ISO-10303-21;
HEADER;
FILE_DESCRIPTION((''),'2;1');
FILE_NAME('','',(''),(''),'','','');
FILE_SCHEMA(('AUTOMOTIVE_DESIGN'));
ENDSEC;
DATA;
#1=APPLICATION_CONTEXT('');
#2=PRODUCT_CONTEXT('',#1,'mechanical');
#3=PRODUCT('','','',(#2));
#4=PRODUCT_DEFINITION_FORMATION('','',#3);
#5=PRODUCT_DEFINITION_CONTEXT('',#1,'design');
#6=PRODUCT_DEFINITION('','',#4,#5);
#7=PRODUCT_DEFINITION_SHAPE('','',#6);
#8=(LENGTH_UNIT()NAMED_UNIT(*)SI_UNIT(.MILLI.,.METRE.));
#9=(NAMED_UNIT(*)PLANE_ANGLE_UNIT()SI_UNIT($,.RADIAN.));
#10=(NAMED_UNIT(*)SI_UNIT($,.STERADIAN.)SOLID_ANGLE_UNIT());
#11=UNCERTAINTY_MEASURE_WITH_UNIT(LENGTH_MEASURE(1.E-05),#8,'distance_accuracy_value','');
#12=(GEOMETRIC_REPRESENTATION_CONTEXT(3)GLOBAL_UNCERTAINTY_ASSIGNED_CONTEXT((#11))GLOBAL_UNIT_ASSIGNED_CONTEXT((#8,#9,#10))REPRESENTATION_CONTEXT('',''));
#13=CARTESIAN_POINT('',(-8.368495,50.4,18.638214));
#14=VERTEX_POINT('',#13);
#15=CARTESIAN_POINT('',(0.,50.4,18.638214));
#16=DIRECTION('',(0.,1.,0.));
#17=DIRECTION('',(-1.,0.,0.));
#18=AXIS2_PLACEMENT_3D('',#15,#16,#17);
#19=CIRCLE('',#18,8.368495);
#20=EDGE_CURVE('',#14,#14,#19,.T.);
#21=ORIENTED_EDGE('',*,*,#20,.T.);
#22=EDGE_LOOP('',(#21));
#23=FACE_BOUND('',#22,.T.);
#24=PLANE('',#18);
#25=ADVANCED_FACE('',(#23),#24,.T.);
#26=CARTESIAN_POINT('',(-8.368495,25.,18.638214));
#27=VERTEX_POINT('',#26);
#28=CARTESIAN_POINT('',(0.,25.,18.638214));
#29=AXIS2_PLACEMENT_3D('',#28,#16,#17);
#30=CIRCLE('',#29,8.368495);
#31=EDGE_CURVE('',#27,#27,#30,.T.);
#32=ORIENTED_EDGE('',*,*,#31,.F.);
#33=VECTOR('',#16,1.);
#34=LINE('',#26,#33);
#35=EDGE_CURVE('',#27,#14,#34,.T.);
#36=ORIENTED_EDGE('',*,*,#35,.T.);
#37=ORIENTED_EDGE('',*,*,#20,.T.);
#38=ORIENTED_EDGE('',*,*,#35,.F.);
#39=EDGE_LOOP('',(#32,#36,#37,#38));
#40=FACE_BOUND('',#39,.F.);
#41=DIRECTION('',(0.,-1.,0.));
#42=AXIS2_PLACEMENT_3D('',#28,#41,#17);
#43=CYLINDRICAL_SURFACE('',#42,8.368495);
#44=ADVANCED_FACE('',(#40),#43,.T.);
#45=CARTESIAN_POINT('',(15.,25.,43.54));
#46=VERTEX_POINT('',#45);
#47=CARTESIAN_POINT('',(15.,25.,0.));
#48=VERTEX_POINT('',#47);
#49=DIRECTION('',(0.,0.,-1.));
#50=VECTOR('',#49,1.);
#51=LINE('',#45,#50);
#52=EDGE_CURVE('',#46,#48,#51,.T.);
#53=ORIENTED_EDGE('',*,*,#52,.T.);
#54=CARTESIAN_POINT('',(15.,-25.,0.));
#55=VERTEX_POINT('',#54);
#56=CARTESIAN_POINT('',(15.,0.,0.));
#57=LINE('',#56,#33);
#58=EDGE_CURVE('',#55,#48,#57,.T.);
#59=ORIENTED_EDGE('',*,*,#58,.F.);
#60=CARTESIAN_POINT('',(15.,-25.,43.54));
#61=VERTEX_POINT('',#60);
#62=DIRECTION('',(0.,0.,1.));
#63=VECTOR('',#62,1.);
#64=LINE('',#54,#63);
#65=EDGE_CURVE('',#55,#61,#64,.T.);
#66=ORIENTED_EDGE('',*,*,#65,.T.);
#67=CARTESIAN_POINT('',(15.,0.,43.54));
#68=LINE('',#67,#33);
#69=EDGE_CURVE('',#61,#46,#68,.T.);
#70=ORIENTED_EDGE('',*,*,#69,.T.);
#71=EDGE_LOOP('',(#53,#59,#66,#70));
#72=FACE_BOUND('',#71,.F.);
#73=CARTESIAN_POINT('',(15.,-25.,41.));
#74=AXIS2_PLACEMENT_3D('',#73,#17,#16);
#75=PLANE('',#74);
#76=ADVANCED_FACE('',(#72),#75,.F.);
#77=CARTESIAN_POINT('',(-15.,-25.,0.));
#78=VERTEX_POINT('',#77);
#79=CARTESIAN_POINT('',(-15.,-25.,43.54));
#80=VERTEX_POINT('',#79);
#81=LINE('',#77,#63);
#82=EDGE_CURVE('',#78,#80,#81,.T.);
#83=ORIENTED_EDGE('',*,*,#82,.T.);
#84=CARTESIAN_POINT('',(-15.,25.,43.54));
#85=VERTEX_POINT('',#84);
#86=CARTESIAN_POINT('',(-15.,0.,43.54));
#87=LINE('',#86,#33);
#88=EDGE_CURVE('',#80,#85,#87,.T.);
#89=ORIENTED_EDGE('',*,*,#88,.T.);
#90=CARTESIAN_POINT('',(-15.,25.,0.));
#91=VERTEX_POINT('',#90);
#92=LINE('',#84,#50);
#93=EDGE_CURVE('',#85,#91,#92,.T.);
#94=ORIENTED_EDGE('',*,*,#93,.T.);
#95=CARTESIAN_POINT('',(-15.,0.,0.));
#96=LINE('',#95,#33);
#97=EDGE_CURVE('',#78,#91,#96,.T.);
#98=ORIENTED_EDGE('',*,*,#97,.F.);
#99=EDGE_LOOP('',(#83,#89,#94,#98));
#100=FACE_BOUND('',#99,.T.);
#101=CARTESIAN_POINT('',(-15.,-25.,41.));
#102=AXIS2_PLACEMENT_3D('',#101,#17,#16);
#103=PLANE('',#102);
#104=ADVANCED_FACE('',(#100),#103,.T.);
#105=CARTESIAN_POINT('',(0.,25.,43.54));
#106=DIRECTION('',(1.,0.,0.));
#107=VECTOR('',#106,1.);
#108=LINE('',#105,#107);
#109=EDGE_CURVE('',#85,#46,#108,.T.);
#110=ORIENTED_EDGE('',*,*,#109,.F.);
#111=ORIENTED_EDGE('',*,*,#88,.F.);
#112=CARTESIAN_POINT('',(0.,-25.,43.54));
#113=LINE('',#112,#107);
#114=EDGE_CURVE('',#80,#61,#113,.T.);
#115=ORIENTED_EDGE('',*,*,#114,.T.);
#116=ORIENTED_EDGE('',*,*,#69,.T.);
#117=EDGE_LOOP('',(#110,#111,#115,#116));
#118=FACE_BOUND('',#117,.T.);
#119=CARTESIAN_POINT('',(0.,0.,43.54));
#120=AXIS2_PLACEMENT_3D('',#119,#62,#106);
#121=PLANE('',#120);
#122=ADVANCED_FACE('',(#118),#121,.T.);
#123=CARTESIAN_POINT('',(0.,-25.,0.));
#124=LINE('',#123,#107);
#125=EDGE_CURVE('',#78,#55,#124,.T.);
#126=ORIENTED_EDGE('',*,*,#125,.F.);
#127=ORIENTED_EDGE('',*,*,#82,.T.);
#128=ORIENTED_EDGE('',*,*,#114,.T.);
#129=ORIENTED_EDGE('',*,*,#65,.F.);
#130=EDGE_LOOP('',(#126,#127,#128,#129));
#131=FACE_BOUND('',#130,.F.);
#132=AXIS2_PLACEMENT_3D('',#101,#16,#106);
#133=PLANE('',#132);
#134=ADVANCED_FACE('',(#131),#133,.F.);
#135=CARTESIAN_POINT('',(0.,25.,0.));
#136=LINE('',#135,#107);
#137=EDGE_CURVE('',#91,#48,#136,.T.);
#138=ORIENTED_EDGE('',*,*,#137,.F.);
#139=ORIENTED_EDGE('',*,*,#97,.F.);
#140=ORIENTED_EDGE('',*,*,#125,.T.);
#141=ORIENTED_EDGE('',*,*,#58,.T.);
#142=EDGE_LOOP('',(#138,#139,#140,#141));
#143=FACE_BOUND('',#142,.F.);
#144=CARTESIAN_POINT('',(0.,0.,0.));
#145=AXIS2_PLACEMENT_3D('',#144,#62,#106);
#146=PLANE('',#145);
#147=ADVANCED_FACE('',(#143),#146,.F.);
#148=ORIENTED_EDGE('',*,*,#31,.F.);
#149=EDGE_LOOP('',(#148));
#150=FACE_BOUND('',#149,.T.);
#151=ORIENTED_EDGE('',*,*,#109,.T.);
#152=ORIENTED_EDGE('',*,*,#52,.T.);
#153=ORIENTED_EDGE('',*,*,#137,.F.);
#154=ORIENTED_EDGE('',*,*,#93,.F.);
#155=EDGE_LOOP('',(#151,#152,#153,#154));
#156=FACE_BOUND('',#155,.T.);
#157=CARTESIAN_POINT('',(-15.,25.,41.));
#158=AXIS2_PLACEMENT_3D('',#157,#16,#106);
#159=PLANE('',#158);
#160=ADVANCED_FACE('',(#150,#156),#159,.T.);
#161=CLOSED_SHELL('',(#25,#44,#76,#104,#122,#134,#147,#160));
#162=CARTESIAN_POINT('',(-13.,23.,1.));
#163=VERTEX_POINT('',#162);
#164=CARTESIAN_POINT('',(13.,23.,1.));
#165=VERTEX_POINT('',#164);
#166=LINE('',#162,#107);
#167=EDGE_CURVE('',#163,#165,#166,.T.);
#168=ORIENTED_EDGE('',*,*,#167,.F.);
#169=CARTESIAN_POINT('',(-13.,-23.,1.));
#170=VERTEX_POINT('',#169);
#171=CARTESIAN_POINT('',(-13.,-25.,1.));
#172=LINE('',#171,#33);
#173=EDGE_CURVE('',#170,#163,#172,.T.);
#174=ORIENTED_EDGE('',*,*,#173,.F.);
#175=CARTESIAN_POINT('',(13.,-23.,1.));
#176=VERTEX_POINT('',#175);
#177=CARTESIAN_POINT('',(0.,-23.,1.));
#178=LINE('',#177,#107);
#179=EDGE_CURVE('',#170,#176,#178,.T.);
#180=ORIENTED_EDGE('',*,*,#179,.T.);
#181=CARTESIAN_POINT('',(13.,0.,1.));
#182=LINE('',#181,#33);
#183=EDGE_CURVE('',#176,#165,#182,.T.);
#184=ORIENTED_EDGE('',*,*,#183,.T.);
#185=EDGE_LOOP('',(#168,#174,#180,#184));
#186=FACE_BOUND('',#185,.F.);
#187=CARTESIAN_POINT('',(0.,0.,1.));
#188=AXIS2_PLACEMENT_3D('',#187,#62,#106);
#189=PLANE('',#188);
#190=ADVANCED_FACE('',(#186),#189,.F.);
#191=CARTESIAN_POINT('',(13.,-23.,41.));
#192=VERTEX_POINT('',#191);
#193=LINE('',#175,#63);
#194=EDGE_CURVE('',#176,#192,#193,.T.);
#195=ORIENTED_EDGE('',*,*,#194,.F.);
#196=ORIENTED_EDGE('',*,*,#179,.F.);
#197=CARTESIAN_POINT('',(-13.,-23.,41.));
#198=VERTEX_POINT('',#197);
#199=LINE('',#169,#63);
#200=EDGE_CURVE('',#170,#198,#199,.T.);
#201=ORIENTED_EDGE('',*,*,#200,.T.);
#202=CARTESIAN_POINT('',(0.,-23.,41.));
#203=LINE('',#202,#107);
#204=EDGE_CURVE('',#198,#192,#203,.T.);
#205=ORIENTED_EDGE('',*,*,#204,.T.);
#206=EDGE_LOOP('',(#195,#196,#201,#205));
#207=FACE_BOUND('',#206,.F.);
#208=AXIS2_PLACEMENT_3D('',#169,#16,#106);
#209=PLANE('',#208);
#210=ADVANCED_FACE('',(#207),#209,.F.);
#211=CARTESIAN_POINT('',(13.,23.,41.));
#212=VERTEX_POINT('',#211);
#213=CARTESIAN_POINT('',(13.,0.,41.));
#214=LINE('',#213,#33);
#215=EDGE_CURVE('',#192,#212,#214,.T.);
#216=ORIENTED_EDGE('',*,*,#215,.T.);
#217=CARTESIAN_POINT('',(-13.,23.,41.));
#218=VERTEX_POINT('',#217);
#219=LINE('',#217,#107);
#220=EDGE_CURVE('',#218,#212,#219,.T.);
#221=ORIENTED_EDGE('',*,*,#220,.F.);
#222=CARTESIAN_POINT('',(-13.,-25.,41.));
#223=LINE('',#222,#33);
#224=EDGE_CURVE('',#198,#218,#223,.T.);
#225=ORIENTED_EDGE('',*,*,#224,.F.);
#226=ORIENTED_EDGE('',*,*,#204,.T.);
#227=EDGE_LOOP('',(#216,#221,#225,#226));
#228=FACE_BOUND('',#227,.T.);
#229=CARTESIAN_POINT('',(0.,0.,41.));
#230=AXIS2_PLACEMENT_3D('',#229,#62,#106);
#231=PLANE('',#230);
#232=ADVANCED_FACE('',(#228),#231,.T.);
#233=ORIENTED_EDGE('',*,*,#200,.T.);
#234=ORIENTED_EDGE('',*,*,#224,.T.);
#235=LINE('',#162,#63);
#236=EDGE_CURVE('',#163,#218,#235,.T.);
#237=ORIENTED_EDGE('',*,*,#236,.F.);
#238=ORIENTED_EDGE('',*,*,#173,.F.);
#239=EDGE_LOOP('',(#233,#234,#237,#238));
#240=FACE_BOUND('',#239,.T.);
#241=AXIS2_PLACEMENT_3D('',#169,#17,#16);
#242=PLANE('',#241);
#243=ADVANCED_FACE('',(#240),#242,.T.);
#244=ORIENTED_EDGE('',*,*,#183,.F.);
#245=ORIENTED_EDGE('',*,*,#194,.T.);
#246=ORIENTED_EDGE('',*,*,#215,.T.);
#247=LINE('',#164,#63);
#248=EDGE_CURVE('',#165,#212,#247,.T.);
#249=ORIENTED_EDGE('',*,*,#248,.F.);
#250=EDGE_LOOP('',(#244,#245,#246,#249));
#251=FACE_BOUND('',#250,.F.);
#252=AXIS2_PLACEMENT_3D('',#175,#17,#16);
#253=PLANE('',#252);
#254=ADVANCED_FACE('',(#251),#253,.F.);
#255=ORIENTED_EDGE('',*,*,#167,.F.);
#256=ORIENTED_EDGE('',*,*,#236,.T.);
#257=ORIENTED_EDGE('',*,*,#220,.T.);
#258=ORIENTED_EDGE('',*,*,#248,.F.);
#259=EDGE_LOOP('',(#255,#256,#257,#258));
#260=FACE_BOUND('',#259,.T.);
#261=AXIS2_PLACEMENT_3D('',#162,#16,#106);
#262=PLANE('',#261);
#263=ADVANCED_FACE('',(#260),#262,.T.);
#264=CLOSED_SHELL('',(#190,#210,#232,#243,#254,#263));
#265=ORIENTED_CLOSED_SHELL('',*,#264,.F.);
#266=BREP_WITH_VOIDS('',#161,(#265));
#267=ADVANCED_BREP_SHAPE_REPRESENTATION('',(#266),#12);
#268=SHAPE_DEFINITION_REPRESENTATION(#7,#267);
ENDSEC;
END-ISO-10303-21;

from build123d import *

# Parameters (mm, degrees)
F0_W     = 30
F0_H     = 50
F1_DEPTH = 1
F2_W     = 2
F2_H     = 2
F2_W_2   = 26
F2_H_2   = 46
F3_DEPTH = 40
F5_W     = 30
F5_H     = 50
F6_DEPTH = 2.54
F4_R     = 8.368495
F8_DEPTH = 25.4


with BuildPart() as f1:
    # F0 (on Top) → F1 (new body)
    with BuildSketch(Plane.XY):
        Rectangle(F0_W, F0_H)
    extrude(amount=F1_DEPTH)

    # F2 (on face) → F3 (join)
    with BuildSketch(Plane.XY.offset(1)):
        with Locations((-14, 24)):
            Rectangle(F2_W, F2_H)
        with Locations((0, 24)):
            Rectangle(F2_W_2, F2_H)
        with Locations((-14, 0)):
            Rectangle(F2_W, F2_H_2)
        with Locations((14, 24)):
            Rectangle(F2_W, F2_H)
        with Locations((-14, -24)):
            Rectangle(F2_W, F2_H)
        with Locations((0, -24)):
            Rectangle(F2_W_2, F2_H)
        with Locations((14, 0)):
            Rectangle(F2_W, F2_H_2)
        with Locations((14, -24)):
            Rectangle(F2_W, F2_H)
    extrude(amount=F3_DEPTH)

    # F5 (on face) → F6 (join)
    with BuildSketch(Plane.XY.offset(41)):
        Rectangle(F5_W, F5_H)
    extrude(amount=F6_DEPTH)

    # F4 (on face) → F8 (join)
    with BuildSketch(Plane(origin=(0, 25, 0), x_dir=(-1, 0, 0), z_dir=(0, 1, 0))):
        with Locations((0, 18.638214)):
            Circle(F4_R)
    extrude(amount=F8_DEPTH)


solid = f1.part
